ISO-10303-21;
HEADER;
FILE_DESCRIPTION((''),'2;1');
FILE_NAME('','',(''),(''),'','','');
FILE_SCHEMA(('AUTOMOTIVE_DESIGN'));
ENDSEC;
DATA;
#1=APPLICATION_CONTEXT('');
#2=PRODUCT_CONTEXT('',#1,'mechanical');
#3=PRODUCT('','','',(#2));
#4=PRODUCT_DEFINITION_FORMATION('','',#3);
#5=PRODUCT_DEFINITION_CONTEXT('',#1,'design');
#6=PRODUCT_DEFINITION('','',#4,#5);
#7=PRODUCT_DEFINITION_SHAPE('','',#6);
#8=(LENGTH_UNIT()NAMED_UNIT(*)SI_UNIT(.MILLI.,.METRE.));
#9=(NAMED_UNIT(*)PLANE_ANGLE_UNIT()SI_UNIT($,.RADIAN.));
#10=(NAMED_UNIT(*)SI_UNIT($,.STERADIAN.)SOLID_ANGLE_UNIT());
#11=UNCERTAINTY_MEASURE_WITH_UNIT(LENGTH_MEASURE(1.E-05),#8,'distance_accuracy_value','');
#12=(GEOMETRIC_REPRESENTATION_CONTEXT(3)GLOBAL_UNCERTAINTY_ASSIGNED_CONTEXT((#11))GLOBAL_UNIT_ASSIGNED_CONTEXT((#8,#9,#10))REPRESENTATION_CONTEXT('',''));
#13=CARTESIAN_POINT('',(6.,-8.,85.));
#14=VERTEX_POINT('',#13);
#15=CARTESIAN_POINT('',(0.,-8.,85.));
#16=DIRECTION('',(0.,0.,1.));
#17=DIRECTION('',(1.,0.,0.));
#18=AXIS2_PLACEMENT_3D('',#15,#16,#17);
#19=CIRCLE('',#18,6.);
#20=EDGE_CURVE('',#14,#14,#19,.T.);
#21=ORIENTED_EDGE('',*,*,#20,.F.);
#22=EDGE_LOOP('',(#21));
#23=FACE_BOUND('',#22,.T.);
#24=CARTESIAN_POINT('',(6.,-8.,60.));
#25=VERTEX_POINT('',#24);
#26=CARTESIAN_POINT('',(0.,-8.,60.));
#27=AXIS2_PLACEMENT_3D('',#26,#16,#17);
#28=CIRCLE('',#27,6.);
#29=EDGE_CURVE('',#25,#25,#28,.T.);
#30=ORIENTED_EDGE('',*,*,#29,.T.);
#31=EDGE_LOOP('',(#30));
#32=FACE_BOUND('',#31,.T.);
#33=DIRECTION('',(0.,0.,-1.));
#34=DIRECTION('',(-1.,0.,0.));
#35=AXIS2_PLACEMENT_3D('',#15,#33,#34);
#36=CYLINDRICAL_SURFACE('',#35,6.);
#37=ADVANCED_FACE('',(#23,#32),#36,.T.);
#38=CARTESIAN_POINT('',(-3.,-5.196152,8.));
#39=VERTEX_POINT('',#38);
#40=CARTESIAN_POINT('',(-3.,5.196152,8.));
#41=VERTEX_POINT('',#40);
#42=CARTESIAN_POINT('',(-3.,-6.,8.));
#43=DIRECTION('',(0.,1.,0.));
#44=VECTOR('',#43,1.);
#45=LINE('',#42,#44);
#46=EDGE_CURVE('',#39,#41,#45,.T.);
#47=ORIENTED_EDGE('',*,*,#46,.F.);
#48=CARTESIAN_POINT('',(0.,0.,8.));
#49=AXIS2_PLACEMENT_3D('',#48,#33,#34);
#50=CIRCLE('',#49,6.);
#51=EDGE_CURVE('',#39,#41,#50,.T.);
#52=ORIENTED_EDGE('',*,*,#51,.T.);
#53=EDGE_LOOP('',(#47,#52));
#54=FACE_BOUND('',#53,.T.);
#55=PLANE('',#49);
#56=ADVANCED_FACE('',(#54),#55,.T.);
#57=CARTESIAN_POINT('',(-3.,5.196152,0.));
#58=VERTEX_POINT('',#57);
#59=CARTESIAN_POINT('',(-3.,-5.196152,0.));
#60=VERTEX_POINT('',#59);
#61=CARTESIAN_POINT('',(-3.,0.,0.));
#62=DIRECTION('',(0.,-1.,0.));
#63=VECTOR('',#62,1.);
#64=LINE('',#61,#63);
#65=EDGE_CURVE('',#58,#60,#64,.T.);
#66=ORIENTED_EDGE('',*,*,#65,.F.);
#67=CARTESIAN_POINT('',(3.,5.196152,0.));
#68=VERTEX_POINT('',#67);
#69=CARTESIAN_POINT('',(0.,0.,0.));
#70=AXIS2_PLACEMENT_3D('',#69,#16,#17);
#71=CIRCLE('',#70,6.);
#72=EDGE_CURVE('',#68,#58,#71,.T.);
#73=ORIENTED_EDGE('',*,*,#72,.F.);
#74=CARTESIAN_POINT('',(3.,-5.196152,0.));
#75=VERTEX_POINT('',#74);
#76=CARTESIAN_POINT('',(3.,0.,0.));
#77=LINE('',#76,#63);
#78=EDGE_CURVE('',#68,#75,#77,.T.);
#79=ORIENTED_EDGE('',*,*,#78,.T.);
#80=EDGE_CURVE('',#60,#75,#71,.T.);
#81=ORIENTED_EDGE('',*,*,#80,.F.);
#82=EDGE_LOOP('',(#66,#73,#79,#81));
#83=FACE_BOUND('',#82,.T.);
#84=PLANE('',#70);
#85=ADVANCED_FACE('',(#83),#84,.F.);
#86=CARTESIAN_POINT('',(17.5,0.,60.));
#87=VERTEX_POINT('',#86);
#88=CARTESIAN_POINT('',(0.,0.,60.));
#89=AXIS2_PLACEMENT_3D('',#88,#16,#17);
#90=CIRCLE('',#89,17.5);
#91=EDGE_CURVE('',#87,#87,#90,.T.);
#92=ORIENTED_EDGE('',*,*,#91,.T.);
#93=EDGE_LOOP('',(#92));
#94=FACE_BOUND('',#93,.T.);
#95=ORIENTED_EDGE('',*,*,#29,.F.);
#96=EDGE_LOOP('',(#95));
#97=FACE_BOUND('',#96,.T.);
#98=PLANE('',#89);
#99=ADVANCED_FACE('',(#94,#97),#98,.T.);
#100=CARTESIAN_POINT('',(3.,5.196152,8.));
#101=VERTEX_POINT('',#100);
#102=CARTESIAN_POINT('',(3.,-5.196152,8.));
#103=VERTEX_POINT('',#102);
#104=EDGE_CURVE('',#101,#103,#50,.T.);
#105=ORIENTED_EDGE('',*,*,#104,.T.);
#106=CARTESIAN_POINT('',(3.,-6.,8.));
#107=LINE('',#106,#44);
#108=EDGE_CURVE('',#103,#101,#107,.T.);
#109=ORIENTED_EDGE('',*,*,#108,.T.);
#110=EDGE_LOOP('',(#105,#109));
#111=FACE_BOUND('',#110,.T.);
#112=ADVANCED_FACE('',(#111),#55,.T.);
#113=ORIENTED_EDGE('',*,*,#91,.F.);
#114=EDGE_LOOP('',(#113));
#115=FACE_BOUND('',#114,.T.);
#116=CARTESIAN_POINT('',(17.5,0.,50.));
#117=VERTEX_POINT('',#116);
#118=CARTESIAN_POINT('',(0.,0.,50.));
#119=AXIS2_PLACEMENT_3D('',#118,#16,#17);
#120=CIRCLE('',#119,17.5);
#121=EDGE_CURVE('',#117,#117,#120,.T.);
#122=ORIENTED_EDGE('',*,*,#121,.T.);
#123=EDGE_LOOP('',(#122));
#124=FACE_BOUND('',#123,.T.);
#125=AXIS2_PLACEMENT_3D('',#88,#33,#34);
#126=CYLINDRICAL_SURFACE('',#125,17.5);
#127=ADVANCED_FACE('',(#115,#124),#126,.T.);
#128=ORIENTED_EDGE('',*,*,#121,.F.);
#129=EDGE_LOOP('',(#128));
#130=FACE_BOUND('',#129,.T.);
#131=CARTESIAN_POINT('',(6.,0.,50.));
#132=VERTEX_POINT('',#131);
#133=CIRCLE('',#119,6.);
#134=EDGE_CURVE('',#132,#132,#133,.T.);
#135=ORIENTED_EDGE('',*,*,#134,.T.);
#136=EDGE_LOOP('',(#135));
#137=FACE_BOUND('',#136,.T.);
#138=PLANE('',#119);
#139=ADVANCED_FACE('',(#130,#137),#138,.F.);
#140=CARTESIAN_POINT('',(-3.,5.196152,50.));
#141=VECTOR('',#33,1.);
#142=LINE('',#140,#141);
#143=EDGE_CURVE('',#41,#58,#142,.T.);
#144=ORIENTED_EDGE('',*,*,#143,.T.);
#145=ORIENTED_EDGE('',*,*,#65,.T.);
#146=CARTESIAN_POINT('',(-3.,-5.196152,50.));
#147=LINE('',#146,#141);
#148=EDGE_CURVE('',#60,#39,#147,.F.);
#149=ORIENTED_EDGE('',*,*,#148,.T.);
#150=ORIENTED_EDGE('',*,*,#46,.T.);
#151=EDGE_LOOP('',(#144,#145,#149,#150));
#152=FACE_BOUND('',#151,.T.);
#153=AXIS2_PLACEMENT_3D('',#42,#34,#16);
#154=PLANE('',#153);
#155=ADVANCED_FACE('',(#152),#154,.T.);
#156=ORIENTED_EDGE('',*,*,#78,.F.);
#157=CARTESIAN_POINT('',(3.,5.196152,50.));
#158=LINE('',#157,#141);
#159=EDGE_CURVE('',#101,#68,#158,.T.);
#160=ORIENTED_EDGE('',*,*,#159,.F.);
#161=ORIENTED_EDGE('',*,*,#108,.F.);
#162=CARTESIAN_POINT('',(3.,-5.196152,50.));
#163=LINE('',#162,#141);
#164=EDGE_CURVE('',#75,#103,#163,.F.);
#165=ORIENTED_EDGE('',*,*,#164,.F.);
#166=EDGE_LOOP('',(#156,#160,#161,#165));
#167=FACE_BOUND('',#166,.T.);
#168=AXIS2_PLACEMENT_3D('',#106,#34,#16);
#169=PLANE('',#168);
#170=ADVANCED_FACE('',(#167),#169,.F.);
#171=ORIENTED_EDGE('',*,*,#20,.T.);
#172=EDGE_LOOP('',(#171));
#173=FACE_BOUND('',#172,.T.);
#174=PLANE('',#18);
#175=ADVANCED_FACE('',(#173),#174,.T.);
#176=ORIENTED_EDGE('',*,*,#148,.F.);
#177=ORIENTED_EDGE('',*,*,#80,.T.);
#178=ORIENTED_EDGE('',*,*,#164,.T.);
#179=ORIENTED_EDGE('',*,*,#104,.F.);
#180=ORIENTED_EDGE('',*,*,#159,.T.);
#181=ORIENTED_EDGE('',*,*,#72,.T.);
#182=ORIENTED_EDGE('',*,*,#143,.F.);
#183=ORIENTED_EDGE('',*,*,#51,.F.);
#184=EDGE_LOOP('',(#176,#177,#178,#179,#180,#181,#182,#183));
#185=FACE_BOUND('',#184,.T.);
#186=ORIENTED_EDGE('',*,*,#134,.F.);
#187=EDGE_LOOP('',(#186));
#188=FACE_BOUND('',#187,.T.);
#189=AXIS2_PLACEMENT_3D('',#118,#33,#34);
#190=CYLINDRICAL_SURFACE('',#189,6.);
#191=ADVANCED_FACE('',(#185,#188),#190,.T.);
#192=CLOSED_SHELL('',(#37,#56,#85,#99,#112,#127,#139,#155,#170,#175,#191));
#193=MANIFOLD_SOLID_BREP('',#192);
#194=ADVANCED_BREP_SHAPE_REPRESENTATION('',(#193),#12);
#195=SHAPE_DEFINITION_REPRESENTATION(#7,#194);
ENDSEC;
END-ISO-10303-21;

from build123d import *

# Parameters (mm, degrees)
SKETCH1_R           = 6
BOSS_EXTRUDE1_DEPTH = 50
SKETCH2_R           = 17.5
BOSS_EXTRUDE2_DEPTH = 10
SKETCH3_R           = 6
BOSS_EXTRUDE3_DEPTH = 25
SKETCH4_OUTSIDE_W   = 56.672
SKETCH4_OUTSIDE_H   = 56.672
SKETCH4_OUTSIDE_W_2 = 6
SKETCH4_OUTSIDE_H_2 = 12
CUT_EXTRUDE2_DEPTH  = 8


with BuildPart() as part:
    # Sketch1 → Boss-Extrude1 (new body)
    with BuildSketch(Plane.XY):
        Circle(SKETCH1_R)
    extrude(amount=BOSS_EXTRUDE1_DEPTH)

    # Sketch2 → Boss-Extrude2 (add)
    with BuildSketch(Plane.XY.offset(50)):
        Circle(SKETCH2_R)
    extrude(amount=BOSS_EXTRUDE2_DEPTH)

    # Sketch3 → Boss-Extrude3 (add)
    with BuildSketch(Plane.XY.offset(60)):
        with Locations((0, -8)):
            Circle(SKETCH3_R)
    extrude(amount=BOSS_EXTRUDE3_DEPTH)

    # Sketch4 outside → Cut-Extrude2 (cut)
    with BuildSketch(Plane(origin=(0, 0, 0), x_dir=(-1, 0, 0), z_dir=(0, 0, -1))):
        Rectangle(SKETCH4_OUTSIDE_W, SKETCH4_OUTSIDE_H)
        Rectangle(SKETCH4_OUTSIDE_W_2, SKETCH4_OUTSIDE_H_2, mode=Mode.SUBTRACT)
    extrude(amount=-CUT_EXTRUDE2_DEPTH, mode=Mode.SUBTRACT)


solid = part.part
